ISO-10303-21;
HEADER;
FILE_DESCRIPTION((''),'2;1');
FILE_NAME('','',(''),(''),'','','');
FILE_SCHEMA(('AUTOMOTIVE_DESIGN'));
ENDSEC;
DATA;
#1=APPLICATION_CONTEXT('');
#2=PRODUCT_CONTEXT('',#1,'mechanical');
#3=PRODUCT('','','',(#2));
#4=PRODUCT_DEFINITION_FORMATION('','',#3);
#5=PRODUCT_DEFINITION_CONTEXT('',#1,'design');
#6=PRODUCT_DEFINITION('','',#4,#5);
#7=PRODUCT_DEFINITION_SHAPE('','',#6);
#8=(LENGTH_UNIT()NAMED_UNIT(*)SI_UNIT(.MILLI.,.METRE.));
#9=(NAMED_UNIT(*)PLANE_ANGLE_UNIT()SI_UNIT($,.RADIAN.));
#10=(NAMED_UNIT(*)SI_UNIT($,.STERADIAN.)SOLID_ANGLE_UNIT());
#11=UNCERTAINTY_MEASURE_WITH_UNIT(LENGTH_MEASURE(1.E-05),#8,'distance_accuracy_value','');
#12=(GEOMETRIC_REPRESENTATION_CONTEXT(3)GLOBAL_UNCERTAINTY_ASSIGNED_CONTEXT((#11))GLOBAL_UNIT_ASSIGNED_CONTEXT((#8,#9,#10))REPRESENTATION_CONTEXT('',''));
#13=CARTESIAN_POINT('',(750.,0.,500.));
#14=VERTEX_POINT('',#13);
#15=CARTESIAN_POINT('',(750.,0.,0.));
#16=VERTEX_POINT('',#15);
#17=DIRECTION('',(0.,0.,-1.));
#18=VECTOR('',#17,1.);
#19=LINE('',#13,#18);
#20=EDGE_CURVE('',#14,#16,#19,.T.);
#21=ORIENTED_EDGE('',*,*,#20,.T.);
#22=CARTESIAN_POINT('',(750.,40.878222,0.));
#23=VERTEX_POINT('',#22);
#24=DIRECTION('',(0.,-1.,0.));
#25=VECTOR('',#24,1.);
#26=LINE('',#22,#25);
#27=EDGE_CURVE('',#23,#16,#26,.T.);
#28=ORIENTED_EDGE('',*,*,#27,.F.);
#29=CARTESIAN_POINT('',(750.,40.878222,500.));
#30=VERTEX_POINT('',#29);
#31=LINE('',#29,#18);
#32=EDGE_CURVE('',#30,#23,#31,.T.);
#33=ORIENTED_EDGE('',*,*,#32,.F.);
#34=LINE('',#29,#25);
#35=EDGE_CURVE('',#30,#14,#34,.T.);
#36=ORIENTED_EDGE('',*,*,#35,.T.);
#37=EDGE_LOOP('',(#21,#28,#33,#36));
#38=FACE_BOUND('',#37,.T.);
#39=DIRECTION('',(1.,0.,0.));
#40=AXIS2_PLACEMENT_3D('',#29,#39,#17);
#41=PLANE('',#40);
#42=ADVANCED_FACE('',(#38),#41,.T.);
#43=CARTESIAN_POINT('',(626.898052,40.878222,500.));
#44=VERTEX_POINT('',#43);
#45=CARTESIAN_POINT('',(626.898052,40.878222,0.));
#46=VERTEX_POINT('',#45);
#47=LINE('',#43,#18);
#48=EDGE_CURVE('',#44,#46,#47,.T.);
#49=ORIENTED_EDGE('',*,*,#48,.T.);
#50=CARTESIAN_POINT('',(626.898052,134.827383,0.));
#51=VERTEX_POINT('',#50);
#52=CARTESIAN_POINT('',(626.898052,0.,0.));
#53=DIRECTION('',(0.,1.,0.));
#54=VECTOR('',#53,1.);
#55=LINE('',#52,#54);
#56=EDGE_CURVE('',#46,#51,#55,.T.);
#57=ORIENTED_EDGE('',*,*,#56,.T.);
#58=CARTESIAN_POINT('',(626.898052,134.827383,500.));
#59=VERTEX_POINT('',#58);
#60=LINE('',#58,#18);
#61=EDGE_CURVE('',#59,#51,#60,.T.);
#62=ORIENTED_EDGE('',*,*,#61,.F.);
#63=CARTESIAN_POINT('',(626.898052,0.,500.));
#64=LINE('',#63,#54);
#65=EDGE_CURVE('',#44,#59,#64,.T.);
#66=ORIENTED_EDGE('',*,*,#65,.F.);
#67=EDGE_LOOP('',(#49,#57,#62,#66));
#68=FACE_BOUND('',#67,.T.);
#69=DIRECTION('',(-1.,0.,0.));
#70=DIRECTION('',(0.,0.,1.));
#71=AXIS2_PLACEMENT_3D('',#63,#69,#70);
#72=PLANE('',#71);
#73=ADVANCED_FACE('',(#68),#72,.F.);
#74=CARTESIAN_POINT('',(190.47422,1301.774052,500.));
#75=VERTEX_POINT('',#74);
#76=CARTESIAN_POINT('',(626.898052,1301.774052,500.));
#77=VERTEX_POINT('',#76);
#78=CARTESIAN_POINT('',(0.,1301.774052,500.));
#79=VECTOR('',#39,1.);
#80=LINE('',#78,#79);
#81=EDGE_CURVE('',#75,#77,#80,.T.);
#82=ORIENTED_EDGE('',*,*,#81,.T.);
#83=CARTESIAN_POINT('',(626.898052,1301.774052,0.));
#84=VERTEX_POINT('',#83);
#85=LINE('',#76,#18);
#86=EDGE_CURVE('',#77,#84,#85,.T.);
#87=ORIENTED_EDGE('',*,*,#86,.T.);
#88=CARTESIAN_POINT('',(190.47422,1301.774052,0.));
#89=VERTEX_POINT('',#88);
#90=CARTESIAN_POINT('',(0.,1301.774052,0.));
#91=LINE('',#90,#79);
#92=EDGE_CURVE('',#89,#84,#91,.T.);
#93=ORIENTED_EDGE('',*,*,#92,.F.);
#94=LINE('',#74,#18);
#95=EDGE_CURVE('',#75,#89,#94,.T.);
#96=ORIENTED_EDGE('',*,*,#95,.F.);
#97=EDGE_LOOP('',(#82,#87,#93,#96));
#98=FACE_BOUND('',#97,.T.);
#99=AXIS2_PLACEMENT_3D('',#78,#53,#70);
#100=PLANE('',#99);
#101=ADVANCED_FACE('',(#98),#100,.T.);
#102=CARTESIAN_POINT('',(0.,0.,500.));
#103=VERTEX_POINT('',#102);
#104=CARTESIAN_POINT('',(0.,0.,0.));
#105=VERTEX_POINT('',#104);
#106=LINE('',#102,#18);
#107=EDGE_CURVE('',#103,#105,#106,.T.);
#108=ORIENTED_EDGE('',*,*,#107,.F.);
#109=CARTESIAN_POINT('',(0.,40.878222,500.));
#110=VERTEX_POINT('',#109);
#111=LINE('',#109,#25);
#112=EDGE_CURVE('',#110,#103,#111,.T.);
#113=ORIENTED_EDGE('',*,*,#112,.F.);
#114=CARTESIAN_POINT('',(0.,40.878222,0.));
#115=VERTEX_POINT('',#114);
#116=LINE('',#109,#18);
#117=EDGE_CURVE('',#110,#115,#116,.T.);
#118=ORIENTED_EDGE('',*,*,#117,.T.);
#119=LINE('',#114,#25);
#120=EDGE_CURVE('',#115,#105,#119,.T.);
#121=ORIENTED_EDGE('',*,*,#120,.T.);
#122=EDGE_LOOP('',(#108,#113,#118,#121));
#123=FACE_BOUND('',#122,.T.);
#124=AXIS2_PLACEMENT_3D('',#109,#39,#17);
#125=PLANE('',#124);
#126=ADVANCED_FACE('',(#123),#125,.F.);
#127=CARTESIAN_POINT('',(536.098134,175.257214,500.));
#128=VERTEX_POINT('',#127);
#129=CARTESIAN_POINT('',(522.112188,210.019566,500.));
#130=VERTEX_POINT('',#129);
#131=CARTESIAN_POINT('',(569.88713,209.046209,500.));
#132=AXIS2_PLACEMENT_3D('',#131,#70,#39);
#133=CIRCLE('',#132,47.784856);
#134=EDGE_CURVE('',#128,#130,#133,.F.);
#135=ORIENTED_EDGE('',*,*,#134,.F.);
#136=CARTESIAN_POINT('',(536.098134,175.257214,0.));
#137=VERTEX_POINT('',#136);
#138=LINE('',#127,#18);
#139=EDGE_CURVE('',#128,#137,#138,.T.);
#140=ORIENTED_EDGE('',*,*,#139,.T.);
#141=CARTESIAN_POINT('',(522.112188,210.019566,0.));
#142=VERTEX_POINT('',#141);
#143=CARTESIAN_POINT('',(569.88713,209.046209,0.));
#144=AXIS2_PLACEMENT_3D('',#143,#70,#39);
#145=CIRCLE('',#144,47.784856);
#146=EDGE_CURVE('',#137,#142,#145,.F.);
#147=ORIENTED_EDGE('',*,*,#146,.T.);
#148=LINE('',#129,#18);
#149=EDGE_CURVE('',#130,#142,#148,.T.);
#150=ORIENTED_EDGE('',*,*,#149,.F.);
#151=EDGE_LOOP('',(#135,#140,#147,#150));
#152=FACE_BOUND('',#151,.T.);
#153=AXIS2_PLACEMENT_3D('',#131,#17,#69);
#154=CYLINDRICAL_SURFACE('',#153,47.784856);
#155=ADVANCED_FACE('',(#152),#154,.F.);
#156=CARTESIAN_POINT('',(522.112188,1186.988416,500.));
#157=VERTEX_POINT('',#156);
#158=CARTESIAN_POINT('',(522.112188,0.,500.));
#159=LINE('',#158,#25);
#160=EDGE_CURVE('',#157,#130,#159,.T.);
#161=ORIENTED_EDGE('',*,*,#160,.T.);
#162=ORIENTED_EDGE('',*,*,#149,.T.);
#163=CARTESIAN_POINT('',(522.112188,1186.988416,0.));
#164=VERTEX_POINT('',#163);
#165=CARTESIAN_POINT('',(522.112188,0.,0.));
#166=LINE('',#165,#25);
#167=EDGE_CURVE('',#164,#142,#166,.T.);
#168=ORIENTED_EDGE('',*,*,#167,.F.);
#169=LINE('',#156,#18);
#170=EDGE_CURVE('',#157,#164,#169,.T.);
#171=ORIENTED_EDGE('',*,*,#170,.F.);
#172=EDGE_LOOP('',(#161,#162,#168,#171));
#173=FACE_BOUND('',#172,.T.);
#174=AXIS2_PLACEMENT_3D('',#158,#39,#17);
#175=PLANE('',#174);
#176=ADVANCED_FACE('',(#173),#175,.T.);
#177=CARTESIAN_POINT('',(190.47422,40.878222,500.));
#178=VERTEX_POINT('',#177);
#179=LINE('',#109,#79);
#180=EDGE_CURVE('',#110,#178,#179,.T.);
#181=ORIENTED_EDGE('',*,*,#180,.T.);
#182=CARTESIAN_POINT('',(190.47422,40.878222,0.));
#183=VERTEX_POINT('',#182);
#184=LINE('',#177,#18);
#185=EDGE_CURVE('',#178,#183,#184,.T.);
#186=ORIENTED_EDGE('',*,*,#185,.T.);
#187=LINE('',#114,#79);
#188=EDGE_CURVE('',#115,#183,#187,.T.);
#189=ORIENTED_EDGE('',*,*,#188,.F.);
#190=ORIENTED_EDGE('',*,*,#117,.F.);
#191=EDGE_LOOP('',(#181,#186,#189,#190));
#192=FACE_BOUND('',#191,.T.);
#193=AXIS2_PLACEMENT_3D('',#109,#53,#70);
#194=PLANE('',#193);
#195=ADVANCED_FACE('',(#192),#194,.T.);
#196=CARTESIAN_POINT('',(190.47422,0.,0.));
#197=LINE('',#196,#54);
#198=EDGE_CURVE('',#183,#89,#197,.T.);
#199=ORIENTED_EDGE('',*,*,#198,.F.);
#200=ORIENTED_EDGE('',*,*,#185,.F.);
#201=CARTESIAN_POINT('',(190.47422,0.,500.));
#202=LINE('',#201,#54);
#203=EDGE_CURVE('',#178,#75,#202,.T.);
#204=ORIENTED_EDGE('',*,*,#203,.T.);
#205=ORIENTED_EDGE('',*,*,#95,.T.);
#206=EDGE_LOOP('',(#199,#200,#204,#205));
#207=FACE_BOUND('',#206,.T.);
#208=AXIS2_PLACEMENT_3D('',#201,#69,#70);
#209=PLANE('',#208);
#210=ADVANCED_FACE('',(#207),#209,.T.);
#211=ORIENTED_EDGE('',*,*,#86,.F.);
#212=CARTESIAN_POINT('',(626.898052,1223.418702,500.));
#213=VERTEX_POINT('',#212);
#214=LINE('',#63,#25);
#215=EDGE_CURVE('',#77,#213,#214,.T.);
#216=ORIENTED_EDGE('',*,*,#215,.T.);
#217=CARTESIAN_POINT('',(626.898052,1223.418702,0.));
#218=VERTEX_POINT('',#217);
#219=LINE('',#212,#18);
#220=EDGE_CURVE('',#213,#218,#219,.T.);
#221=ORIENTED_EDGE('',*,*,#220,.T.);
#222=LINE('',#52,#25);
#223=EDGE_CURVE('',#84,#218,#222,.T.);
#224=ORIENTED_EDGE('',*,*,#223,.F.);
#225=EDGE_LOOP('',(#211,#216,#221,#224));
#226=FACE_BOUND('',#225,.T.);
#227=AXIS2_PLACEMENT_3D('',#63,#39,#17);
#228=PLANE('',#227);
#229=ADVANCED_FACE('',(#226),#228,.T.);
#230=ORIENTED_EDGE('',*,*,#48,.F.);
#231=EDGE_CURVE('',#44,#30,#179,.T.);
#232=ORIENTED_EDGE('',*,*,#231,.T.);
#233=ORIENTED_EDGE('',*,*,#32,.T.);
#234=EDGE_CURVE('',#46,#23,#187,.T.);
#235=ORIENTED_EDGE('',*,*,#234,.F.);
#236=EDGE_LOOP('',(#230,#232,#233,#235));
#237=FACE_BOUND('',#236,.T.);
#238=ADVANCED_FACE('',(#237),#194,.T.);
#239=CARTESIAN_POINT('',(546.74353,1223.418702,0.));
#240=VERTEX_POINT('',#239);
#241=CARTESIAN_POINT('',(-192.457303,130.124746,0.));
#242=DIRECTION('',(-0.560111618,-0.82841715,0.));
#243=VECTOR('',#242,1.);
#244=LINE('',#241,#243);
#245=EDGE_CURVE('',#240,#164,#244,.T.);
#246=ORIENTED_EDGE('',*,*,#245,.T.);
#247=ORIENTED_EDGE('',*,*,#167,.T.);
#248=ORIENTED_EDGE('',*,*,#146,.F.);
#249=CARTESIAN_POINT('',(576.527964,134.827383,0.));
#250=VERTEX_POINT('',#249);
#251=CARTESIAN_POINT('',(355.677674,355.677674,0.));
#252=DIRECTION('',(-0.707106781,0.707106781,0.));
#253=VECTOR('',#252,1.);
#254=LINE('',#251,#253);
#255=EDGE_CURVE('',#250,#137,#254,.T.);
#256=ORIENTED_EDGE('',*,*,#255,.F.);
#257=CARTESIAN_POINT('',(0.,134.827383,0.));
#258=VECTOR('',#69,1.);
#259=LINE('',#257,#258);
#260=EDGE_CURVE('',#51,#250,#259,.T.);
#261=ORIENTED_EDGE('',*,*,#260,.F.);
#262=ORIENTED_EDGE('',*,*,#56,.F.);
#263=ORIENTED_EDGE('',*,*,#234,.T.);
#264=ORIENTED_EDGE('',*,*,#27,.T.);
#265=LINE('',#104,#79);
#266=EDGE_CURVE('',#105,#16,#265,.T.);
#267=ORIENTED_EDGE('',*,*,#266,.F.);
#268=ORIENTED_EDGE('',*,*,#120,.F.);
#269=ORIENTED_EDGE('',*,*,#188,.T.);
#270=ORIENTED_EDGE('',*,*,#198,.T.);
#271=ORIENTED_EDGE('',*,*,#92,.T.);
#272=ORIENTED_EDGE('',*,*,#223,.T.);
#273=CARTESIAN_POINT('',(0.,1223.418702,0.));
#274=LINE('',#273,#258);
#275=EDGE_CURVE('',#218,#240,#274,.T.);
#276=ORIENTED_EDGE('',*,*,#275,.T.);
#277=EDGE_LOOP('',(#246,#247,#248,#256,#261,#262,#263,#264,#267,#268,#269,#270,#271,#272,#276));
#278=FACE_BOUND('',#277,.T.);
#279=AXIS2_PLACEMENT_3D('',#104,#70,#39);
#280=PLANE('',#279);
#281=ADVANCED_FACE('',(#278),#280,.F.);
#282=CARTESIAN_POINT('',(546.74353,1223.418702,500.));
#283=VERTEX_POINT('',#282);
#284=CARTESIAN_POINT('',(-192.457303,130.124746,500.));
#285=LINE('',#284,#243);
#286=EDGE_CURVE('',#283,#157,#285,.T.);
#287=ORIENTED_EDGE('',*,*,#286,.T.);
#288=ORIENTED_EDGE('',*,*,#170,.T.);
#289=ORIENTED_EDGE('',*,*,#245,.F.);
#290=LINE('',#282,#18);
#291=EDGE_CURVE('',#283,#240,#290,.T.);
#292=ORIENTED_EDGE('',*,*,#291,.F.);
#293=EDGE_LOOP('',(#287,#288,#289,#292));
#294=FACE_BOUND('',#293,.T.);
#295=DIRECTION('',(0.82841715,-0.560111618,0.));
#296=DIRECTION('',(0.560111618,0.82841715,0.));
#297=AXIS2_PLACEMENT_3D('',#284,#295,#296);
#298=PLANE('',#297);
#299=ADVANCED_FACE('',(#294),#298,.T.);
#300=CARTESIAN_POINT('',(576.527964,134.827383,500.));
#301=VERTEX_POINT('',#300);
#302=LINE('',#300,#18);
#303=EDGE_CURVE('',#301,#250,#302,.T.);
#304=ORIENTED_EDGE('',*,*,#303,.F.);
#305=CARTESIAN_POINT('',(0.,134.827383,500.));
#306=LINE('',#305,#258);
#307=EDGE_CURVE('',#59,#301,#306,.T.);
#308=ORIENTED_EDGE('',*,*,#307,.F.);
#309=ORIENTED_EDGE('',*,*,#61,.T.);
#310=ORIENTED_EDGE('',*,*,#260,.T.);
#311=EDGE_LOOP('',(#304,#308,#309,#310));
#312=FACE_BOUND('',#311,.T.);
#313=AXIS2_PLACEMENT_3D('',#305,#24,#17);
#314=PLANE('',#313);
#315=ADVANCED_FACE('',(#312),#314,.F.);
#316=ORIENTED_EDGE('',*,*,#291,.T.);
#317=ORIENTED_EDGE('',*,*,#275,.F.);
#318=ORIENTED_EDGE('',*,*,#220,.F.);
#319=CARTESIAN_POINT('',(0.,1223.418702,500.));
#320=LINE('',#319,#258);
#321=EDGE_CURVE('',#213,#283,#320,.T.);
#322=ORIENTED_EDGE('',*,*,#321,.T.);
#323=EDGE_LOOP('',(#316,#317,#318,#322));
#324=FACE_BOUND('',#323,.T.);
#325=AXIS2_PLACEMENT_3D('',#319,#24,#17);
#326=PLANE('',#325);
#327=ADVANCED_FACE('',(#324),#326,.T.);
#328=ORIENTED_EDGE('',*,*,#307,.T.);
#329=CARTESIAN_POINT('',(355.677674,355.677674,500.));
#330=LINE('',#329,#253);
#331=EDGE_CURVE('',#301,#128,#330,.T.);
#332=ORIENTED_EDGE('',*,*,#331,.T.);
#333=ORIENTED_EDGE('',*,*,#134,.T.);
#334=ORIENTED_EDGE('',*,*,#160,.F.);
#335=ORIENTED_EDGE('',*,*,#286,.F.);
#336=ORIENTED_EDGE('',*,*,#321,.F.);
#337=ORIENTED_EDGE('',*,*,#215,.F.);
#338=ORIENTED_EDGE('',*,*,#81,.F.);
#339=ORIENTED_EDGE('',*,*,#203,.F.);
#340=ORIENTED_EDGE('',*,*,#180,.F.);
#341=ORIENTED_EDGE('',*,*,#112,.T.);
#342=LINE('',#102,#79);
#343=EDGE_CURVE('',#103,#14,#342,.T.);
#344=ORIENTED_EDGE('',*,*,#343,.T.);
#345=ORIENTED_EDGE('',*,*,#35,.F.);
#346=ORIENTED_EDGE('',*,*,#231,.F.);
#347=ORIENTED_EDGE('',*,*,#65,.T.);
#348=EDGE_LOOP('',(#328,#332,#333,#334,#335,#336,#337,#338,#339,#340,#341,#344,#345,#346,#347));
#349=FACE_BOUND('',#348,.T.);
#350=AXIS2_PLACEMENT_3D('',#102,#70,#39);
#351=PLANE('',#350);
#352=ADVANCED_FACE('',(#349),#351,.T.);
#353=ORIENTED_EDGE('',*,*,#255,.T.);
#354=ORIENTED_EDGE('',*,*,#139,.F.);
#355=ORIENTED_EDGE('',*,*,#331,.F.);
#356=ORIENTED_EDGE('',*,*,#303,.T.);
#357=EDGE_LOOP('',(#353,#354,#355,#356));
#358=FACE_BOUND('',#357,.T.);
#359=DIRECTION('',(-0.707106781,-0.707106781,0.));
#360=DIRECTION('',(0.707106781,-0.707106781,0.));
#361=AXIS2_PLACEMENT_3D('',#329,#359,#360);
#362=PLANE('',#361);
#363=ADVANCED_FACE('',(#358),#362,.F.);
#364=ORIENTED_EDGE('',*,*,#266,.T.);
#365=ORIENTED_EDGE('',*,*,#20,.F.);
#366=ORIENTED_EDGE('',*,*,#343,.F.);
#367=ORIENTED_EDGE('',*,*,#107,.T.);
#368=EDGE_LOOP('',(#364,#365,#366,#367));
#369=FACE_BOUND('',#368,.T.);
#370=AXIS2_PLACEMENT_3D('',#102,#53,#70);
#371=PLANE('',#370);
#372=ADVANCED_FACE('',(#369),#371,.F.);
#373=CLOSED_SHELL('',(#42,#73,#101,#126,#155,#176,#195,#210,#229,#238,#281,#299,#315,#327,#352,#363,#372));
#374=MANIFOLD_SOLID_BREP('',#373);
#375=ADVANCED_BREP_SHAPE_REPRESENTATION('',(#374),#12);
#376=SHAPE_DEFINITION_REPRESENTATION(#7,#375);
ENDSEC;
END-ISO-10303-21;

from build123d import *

# Parameters (mm, degrees)
SALIENTE_EXTRUIR3_DEPTH = 500


with BuildPart() as part:
    # Croquis1 → Saliente-Extruir3 (new body)
    with BuildSketch(Plane.XY):
        with BuildLine():
            Line((0, 40.878221652), (0, 0))
            Line((0, 0), (750, 0))
            Line((750, 0), (750, 40.878221652))
            Line((750, 40.878221652), (626.898052252, 40.878221652))
            Line((626.898052252, 40.878221652), (626.898052252, 134.827383306))
            Line((626.898052252, 134.827383306), (576.527963911, 134.827383306))
            Line((576.527963911, 134.827383306), (536.098133641, 175.257213576))
            ThreePointArc((536.098133641, 175.257213576), (525.555715427, 191.210340819), (522.112187733, 210.019566418))
            Line((522.112187733, 210.019566418), (522.112187733, 1186.988416459))
            Line((522.112187733, 1186.988416459), (546.74353007, 1223.418702419))
            Line((546.74353007, 1223.418702419), (626.898052252, 1223.418702419))
            Line((626.898052252, 1223.418702419), (626.898052252, 1301.77405161))
            Line((626.898052252, 1301.77405161), (190.474219634, 1301.77405161))
            Line((190.474219634, 1301.77405161), (190.474219634, 40.878221652))
            Line((190.474219634, 40.878221652), (0, 40.878221652))
        make_face()
    extrude(amount=SALIENTE_EXTRUIR3_DEPTH)


solid = part.part
